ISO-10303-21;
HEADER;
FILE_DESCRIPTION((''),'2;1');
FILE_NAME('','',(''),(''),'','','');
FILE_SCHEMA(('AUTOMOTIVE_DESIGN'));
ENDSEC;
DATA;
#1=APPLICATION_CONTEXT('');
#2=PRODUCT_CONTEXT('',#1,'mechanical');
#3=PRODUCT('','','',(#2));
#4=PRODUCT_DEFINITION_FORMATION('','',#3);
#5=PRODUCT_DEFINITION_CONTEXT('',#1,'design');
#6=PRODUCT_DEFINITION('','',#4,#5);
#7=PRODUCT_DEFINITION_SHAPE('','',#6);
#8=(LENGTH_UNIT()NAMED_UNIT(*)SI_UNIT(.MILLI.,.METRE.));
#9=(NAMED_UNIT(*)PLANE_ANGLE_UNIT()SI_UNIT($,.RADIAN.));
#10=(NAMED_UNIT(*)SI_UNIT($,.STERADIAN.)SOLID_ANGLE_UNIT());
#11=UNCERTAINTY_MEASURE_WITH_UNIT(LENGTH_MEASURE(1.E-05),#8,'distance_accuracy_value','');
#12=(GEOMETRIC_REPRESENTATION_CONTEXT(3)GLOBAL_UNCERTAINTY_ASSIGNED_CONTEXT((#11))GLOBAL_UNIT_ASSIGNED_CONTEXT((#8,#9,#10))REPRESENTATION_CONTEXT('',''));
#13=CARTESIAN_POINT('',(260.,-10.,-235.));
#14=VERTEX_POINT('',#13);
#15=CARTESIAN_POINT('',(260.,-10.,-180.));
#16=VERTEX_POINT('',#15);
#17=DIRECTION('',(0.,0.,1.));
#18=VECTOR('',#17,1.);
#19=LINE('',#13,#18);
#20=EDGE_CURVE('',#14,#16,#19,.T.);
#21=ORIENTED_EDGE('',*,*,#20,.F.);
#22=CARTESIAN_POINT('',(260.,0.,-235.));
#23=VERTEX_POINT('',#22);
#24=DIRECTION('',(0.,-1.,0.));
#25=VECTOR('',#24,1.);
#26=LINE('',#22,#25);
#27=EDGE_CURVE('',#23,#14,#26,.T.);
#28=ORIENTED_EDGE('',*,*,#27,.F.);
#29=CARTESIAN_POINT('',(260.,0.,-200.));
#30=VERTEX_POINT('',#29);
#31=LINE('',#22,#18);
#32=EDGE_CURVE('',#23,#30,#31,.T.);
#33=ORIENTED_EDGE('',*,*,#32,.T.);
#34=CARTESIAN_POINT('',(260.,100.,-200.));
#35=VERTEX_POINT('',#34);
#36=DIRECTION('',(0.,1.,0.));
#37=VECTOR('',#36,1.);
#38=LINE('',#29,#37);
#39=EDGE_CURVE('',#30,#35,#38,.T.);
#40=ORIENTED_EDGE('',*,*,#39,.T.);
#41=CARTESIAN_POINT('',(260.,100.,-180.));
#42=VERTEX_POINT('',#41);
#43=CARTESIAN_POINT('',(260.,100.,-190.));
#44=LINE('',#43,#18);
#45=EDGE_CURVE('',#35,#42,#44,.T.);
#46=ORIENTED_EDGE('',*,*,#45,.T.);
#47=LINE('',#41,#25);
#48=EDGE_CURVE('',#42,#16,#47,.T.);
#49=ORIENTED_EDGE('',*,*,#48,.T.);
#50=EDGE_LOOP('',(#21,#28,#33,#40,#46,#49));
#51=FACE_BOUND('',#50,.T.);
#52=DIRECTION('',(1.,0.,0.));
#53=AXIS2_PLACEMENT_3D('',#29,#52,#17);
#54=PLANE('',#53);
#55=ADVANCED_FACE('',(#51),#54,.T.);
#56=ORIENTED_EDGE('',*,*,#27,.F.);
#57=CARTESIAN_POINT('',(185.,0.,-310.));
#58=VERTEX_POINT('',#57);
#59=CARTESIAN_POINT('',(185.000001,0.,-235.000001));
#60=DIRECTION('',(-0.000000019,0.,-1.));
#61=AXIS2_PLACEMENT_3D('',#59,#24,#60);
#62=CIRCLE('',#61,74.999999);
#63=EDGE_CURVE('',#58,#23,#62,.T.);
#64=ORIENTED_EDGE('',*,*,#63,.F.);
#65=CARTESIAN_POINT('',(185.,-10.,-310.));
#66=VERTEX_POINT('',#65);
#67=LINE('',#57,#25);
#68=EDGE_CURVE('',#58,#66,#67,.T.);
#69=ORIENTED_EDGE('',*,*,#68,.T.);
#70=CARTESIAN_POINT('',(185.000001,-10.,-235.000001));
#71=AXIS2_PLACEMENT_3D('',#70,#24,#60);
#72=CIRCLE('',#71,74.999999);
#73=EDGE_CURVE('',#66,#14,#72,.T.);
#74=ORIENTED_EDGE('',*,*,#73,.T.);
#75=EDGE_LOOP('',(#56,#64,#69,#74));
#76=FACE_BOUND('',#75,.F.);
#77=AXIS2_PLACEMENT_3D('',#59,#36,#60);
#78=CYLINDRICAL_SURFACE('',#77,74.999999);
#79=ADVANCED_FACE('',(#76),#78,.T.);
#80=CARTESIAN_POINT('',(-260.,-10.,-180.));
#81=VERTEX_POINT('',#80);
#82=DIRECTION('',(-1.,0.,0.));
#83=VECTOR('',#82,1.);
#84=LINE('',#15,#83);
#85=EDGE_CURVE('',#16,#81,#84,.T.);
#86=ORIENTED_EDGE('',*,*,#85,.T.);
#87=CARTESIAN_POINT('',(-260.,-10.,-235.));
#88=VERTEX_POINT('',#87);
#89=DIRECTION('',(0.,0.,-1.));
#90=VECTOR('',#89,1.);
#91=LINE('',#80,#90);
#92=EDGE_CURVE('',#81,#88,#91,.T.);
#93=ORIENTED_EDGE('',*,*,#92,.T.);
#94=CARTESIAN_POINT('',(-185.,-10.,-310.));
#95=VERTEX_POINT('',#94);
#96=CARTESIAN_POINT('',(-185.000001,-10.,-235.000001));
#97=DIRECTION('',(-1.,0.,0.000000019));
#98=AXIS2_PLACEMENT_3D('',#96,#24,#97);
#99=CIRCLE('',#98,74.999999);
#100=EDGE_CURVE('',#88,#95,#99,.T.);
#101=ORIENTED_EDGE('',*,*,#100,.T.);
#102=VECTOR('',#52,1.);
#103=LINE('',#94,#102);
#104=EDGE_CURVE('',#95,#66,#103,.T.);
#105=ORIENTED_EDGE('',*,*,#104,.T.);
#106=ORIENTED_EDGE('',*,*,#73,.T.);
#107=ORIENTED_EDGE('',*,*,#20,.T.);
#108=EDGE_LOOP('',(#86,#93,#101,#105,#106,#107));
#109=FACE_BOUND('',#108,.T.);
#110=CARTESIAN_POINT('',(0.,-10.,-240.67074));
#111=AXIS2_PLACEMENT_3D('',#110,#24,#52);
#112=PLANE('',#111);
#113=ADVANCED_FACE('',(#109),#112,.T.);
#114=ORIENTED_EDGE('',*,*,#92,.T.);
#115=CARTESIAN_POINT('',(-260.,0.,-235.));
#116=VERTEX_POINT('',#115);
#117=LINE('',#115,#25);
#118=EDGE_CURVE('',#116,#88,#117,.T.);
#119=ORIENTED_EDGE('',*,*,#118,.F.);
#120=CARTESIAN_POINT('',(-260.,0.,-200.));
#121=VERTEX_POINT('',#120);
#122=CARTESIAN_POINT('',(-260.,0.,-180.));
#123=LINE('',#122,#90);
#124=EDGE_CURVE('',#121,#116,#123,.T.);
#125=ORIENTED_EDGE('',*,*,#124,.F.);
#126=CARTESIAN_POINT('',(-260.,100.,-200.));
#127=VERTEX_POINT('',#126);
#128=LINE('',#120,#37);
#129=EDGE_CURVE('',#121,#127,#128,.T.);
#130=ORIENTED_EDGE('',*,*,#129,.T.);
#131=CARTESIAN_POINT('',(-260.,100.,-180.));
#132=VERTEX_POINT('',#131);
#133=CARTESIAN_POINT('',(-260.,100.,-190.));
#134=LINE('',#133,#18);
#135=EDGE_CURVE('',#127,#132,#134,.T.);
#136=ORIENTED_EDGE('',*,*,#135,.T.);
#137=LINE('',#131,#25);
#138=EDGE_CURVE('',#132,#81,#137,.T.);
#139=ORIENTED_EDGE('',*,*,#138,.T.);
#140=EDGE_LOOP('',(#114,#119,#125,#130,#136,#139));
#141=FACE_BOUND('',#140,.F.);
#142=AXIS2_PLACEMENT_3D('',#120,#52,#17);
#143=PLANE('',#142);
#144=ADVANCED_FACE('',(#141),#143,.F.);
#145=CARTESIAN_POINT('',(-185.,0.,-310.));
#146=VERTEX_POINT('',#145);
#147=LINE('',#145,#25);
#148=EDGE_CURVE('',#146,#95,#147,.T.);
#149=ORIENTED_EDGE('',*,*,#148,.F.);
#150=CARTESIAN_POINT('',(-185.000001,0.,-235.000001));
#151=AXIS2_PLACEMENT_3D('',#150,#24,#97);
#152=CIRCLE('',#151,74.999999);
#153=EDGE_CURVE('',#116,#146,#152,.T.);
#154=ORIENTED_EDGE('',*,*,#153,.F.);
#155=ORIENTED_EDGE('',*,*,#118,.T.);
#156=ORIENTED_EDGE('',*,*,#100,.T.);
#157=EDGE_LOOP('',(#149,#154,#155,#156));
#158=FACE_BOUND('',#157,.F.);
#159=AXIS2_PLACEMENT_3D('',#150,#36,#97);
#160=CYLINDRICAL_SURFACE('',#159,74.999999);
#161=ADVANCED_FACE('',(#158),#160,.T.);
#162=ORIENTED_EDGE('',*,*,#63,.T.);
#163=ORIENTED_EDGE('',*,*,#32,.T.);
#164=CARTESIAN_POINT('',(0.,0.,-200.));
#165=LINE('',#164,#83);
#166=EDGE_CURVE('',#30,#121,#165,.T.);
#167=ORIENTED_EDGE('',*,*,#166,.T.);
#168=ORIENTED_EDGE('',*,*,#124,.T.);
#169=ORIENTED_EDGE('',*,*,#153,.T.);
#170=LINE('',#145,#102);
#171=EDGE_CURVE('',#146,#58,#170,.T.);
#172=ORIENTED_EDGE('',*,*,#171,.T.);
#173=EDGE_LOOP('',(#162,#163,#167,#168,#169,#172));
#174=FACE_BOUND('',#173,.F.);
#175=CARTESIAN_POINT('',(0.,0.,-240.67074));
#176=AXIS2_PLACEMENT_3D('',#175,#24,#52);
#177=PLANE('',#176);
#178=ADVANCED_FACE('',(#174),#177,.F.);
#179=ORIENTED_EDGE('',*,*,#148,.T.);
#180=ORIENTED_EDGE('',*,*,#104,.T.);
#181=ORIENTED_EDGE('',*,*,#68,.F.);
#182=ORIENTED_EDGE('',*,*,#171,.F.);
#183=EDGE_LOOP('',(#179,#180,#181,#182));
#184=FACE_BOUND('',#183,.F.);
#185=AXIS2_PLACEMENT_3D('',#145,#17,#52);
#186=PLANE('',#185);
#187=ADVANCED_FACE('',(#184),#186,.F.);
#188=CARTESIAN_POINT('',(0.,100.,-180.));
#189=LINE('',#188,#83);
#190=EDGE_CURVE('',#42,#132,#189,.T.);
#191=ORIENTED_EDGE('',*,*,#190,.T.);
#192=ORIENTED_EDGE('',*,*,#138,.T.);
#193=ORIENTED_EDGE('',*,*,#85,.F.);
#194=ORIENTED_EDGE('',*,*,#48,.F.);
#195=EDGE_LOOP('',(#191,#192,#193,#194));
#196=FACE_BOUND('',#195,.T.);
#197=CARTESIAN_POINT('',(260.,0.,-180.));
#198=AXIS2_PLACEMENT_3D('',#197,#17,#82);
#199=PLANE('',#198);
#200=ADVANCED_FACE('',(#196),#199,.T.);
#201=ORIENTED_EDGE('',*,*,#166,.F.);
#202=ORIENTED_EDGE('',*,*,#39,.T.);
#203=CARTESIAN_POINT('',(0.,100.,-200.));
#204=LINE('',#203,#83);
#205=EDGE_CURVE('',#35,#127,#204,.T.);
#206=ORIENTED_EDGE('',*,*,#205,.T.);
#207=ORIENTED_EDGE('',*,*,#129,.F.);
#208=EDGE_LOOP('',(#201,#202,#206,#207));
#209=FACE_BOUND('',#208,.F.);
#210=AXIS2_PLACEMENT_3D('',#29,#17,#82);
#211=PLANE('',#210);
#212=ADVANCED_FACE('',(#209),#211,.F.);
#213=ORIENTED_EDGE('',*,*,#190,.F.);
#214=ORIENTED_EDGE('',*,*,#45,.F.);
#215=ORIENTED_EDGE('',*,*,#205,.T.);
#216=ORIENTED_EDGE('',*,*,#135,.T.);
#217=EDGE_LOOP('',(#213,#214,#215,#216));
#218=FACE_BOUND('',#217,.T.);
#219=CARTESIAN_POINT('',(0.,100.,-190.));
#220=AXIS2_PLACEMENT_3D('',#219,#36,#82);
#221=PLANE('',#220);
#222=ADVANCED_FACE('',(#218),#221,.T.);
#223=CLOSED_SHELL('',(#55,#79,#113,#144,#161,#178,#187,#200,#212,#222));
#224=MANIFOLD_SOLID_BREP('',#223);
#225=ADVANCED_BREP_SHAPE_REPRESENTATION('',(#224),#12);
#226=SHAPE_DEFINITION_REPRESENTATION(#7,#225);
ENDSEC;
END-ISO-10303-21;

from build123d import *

# Parameters (mm, degrees)
F1_DEPTH = 10
F2_W     = 520
F2_H     = 20
F3_DEPTH = 100


with BuildPart() as f1:
    # F0 (on Front) → F1 (new body)
    with BuildSketch(Plane.XZ):
        with BuildLine():
            Line((260, -180), (-260, -180))
            Line((-260, -180), (-260, -235))
            ThreePointArc((-260, -235), (-238.033009, -288.033009), (-185, -310))
            Line((-185, -310), (185, -310))
            ThreePointArc((185, -310), (238.033009, -288.033009), (260, -235))
            Line((260, -235), (260, -180))
        make_face()
    extrude(amount=F1_DEPTH)

    # F2 (on face) → F3 (join)
    with BuildSketch(Plane(origin=(0, 0, 0), x_dir=(-1, 0, 0), z_dir=(0, 1, 0))):
        with Locations((0, -190)):
            Rectangle(F2_W, F2_H)
    extrude(amount=F3_DEPTH)


solid = f1.part
